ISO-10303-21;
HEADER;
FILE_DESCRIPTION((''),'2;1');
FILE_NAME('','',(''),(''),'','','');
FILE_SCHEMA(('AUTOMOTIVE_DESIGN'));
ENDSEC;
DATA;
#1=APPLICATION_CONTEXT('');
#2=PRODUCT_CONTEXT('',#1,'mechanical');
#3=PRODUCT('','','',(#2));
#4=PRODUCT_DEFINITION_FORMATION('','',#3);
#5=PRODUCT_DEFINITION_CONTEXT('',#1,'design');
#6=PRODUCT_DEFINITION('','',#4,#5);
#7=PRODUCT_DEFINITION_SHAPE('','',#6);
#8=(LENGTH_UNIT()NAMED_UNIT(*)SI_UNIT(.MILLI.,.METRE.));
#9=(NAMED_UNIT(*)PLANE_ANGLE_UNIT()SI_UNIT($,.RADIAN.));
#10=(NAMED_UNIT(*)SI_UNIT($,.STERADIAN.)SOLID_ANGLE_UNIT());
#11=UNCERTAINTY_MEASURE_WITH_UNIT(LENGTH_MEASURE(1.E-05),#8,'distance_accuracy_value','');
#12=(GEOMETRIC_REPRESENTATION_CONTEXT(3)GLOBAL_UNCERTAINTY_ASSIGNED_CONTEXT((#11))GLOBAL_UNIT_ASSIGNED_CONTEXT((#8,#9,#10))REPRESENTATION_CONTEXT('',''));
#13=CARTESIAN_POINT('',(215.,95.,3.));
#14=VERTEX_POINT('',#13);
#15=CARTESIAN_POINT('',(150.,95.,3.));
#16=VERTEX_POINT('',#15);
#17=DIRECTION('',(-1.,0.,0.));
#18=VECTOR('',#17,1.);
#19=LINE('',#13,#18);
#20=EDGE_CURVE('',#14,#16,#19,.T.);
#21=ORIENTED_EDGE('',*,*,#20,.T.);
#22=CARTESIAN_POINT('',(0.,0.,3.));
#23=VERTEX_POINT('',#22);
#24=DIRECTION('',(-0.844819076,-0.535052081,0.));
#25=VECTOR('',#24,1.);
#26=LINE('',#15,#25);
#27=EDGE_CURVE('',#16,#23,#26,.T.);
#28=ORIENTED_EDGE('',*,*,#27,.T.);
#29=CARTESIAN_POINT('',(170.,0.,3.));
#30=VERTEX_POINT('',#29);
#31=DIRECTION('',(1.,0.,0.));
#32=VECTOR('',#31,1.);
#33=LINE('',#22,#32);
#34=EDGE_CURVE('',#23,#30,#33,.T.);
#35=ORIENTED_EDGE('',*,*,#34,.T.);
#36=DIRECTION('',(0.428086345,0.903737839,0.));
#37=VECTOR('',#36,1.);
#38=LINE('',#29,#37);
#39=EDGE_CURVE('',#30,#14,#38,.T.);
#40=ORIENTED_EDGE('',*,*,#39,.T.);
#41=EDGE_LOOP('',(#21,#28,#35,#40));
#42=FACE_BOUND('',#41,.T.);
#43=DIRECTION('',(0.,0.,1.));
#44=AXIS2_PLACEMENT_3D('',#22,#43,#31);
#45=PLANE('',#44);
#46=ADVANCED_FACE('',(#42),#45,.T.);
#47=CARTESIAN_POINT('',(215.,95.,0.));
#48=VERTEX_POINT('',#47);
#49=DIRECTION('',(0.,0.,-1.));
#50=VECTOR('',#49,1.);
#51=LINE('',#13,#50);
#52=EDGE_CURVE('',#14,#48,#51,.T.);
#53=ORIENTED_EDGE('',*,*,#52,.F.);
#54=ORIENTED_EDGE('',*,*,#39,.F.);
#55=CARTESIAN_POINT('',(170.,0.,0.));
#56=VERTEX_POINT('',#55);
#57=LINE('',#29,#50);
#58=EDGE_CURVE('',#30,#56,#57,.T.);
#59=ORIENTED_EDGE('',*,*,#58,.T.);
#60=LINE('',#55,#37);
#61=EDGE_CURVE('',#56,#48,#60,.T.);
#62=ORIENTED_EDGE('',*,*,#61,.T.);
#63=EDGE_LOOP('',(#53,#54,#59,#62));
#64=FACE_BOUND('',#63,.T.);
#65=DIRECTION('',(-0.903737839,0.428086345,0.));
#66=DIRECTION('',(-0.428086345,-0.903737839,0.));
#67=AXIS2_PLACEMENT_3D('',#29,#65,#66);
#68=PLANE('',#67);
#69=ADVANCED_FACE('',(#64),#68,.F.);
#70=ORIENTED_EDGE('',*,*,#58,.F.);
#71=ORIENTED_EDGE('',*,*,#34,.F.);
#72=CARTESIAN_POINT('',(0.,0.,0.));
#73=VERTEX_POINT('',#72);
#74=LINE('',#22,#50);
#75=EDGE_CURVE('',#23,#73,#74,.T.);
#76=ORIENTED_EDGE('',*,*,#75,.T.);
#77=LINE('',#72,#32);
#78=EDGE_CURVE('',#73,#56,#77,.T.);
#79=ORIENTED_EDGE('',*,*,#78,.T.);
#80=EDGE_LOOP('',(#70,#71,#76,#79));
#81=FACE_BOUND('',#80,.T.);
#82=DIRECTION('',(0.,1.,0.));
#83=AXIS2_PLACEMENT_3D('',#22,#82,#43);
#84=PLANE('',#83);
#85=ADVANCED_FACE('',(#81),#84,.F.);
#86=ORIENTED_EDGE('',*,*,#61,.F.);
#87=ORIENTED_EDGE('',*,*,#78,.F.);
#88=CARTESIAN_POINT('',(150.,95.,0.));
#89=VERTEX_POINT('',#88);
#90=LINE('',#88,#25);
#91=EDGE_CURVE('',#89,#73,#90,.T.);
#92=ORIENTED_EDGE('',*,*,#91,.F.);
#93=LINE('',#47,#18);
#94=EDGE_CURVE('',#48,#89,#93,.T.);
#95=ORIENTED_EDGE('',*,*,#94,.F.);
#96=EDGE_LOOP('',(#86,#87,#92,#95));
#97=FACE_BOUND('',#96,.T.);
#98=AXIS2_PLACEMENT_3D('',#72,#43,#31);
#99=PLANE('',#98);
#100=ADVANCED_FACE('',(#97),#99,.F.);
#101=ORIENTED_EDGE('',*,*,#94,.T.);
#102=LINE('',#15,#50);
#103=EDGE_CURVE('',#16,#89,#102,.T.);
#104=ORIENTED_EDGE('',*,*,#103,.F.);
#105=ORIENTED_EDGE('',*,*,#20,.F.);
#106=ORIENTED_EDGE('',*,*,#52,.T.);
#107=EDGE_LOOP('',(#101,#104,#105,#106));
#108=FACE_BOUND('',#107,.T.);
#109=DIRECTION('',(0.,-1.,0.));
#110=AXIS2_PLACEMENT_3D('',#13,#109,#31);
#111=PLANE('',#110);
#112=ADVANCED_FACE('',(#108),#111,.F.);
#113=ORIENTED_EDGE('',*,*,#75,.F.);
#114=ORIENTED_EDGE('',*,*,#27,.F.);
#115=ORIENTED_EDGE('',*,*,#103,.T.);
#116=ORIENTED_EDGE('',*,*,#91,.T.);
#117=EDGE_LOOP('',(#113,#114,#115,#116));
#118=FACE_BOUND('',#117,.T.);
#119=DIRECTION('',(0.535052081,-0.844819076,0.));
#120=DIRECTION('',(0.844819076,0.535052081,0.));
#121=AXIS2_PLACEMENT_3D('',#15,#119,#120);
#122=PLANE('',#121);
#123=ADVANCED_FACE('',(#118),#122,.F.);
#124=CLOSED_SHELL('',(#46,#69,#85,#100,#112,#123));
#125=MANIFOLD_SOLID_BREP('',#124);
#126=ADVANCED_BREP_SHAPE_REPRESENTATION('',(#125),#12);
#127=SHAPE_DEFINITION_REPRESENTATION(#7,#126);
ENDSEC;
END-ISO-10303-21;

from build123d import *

# Parameters (mm, degrees)
BOSS_EXTRUDE1_DEPTH = 3


with BuildPart() as part:
    # Sketch1 → Boss-Extrude1 (new body)
    with BuildSketch(Plane.XY):
        Polygon((0, 0), (170, 0), (215, 95), (150, 95), align=None)
    extrude(amount=BOSS_EXTRUDE1_DEPTH)


solid = part.part
